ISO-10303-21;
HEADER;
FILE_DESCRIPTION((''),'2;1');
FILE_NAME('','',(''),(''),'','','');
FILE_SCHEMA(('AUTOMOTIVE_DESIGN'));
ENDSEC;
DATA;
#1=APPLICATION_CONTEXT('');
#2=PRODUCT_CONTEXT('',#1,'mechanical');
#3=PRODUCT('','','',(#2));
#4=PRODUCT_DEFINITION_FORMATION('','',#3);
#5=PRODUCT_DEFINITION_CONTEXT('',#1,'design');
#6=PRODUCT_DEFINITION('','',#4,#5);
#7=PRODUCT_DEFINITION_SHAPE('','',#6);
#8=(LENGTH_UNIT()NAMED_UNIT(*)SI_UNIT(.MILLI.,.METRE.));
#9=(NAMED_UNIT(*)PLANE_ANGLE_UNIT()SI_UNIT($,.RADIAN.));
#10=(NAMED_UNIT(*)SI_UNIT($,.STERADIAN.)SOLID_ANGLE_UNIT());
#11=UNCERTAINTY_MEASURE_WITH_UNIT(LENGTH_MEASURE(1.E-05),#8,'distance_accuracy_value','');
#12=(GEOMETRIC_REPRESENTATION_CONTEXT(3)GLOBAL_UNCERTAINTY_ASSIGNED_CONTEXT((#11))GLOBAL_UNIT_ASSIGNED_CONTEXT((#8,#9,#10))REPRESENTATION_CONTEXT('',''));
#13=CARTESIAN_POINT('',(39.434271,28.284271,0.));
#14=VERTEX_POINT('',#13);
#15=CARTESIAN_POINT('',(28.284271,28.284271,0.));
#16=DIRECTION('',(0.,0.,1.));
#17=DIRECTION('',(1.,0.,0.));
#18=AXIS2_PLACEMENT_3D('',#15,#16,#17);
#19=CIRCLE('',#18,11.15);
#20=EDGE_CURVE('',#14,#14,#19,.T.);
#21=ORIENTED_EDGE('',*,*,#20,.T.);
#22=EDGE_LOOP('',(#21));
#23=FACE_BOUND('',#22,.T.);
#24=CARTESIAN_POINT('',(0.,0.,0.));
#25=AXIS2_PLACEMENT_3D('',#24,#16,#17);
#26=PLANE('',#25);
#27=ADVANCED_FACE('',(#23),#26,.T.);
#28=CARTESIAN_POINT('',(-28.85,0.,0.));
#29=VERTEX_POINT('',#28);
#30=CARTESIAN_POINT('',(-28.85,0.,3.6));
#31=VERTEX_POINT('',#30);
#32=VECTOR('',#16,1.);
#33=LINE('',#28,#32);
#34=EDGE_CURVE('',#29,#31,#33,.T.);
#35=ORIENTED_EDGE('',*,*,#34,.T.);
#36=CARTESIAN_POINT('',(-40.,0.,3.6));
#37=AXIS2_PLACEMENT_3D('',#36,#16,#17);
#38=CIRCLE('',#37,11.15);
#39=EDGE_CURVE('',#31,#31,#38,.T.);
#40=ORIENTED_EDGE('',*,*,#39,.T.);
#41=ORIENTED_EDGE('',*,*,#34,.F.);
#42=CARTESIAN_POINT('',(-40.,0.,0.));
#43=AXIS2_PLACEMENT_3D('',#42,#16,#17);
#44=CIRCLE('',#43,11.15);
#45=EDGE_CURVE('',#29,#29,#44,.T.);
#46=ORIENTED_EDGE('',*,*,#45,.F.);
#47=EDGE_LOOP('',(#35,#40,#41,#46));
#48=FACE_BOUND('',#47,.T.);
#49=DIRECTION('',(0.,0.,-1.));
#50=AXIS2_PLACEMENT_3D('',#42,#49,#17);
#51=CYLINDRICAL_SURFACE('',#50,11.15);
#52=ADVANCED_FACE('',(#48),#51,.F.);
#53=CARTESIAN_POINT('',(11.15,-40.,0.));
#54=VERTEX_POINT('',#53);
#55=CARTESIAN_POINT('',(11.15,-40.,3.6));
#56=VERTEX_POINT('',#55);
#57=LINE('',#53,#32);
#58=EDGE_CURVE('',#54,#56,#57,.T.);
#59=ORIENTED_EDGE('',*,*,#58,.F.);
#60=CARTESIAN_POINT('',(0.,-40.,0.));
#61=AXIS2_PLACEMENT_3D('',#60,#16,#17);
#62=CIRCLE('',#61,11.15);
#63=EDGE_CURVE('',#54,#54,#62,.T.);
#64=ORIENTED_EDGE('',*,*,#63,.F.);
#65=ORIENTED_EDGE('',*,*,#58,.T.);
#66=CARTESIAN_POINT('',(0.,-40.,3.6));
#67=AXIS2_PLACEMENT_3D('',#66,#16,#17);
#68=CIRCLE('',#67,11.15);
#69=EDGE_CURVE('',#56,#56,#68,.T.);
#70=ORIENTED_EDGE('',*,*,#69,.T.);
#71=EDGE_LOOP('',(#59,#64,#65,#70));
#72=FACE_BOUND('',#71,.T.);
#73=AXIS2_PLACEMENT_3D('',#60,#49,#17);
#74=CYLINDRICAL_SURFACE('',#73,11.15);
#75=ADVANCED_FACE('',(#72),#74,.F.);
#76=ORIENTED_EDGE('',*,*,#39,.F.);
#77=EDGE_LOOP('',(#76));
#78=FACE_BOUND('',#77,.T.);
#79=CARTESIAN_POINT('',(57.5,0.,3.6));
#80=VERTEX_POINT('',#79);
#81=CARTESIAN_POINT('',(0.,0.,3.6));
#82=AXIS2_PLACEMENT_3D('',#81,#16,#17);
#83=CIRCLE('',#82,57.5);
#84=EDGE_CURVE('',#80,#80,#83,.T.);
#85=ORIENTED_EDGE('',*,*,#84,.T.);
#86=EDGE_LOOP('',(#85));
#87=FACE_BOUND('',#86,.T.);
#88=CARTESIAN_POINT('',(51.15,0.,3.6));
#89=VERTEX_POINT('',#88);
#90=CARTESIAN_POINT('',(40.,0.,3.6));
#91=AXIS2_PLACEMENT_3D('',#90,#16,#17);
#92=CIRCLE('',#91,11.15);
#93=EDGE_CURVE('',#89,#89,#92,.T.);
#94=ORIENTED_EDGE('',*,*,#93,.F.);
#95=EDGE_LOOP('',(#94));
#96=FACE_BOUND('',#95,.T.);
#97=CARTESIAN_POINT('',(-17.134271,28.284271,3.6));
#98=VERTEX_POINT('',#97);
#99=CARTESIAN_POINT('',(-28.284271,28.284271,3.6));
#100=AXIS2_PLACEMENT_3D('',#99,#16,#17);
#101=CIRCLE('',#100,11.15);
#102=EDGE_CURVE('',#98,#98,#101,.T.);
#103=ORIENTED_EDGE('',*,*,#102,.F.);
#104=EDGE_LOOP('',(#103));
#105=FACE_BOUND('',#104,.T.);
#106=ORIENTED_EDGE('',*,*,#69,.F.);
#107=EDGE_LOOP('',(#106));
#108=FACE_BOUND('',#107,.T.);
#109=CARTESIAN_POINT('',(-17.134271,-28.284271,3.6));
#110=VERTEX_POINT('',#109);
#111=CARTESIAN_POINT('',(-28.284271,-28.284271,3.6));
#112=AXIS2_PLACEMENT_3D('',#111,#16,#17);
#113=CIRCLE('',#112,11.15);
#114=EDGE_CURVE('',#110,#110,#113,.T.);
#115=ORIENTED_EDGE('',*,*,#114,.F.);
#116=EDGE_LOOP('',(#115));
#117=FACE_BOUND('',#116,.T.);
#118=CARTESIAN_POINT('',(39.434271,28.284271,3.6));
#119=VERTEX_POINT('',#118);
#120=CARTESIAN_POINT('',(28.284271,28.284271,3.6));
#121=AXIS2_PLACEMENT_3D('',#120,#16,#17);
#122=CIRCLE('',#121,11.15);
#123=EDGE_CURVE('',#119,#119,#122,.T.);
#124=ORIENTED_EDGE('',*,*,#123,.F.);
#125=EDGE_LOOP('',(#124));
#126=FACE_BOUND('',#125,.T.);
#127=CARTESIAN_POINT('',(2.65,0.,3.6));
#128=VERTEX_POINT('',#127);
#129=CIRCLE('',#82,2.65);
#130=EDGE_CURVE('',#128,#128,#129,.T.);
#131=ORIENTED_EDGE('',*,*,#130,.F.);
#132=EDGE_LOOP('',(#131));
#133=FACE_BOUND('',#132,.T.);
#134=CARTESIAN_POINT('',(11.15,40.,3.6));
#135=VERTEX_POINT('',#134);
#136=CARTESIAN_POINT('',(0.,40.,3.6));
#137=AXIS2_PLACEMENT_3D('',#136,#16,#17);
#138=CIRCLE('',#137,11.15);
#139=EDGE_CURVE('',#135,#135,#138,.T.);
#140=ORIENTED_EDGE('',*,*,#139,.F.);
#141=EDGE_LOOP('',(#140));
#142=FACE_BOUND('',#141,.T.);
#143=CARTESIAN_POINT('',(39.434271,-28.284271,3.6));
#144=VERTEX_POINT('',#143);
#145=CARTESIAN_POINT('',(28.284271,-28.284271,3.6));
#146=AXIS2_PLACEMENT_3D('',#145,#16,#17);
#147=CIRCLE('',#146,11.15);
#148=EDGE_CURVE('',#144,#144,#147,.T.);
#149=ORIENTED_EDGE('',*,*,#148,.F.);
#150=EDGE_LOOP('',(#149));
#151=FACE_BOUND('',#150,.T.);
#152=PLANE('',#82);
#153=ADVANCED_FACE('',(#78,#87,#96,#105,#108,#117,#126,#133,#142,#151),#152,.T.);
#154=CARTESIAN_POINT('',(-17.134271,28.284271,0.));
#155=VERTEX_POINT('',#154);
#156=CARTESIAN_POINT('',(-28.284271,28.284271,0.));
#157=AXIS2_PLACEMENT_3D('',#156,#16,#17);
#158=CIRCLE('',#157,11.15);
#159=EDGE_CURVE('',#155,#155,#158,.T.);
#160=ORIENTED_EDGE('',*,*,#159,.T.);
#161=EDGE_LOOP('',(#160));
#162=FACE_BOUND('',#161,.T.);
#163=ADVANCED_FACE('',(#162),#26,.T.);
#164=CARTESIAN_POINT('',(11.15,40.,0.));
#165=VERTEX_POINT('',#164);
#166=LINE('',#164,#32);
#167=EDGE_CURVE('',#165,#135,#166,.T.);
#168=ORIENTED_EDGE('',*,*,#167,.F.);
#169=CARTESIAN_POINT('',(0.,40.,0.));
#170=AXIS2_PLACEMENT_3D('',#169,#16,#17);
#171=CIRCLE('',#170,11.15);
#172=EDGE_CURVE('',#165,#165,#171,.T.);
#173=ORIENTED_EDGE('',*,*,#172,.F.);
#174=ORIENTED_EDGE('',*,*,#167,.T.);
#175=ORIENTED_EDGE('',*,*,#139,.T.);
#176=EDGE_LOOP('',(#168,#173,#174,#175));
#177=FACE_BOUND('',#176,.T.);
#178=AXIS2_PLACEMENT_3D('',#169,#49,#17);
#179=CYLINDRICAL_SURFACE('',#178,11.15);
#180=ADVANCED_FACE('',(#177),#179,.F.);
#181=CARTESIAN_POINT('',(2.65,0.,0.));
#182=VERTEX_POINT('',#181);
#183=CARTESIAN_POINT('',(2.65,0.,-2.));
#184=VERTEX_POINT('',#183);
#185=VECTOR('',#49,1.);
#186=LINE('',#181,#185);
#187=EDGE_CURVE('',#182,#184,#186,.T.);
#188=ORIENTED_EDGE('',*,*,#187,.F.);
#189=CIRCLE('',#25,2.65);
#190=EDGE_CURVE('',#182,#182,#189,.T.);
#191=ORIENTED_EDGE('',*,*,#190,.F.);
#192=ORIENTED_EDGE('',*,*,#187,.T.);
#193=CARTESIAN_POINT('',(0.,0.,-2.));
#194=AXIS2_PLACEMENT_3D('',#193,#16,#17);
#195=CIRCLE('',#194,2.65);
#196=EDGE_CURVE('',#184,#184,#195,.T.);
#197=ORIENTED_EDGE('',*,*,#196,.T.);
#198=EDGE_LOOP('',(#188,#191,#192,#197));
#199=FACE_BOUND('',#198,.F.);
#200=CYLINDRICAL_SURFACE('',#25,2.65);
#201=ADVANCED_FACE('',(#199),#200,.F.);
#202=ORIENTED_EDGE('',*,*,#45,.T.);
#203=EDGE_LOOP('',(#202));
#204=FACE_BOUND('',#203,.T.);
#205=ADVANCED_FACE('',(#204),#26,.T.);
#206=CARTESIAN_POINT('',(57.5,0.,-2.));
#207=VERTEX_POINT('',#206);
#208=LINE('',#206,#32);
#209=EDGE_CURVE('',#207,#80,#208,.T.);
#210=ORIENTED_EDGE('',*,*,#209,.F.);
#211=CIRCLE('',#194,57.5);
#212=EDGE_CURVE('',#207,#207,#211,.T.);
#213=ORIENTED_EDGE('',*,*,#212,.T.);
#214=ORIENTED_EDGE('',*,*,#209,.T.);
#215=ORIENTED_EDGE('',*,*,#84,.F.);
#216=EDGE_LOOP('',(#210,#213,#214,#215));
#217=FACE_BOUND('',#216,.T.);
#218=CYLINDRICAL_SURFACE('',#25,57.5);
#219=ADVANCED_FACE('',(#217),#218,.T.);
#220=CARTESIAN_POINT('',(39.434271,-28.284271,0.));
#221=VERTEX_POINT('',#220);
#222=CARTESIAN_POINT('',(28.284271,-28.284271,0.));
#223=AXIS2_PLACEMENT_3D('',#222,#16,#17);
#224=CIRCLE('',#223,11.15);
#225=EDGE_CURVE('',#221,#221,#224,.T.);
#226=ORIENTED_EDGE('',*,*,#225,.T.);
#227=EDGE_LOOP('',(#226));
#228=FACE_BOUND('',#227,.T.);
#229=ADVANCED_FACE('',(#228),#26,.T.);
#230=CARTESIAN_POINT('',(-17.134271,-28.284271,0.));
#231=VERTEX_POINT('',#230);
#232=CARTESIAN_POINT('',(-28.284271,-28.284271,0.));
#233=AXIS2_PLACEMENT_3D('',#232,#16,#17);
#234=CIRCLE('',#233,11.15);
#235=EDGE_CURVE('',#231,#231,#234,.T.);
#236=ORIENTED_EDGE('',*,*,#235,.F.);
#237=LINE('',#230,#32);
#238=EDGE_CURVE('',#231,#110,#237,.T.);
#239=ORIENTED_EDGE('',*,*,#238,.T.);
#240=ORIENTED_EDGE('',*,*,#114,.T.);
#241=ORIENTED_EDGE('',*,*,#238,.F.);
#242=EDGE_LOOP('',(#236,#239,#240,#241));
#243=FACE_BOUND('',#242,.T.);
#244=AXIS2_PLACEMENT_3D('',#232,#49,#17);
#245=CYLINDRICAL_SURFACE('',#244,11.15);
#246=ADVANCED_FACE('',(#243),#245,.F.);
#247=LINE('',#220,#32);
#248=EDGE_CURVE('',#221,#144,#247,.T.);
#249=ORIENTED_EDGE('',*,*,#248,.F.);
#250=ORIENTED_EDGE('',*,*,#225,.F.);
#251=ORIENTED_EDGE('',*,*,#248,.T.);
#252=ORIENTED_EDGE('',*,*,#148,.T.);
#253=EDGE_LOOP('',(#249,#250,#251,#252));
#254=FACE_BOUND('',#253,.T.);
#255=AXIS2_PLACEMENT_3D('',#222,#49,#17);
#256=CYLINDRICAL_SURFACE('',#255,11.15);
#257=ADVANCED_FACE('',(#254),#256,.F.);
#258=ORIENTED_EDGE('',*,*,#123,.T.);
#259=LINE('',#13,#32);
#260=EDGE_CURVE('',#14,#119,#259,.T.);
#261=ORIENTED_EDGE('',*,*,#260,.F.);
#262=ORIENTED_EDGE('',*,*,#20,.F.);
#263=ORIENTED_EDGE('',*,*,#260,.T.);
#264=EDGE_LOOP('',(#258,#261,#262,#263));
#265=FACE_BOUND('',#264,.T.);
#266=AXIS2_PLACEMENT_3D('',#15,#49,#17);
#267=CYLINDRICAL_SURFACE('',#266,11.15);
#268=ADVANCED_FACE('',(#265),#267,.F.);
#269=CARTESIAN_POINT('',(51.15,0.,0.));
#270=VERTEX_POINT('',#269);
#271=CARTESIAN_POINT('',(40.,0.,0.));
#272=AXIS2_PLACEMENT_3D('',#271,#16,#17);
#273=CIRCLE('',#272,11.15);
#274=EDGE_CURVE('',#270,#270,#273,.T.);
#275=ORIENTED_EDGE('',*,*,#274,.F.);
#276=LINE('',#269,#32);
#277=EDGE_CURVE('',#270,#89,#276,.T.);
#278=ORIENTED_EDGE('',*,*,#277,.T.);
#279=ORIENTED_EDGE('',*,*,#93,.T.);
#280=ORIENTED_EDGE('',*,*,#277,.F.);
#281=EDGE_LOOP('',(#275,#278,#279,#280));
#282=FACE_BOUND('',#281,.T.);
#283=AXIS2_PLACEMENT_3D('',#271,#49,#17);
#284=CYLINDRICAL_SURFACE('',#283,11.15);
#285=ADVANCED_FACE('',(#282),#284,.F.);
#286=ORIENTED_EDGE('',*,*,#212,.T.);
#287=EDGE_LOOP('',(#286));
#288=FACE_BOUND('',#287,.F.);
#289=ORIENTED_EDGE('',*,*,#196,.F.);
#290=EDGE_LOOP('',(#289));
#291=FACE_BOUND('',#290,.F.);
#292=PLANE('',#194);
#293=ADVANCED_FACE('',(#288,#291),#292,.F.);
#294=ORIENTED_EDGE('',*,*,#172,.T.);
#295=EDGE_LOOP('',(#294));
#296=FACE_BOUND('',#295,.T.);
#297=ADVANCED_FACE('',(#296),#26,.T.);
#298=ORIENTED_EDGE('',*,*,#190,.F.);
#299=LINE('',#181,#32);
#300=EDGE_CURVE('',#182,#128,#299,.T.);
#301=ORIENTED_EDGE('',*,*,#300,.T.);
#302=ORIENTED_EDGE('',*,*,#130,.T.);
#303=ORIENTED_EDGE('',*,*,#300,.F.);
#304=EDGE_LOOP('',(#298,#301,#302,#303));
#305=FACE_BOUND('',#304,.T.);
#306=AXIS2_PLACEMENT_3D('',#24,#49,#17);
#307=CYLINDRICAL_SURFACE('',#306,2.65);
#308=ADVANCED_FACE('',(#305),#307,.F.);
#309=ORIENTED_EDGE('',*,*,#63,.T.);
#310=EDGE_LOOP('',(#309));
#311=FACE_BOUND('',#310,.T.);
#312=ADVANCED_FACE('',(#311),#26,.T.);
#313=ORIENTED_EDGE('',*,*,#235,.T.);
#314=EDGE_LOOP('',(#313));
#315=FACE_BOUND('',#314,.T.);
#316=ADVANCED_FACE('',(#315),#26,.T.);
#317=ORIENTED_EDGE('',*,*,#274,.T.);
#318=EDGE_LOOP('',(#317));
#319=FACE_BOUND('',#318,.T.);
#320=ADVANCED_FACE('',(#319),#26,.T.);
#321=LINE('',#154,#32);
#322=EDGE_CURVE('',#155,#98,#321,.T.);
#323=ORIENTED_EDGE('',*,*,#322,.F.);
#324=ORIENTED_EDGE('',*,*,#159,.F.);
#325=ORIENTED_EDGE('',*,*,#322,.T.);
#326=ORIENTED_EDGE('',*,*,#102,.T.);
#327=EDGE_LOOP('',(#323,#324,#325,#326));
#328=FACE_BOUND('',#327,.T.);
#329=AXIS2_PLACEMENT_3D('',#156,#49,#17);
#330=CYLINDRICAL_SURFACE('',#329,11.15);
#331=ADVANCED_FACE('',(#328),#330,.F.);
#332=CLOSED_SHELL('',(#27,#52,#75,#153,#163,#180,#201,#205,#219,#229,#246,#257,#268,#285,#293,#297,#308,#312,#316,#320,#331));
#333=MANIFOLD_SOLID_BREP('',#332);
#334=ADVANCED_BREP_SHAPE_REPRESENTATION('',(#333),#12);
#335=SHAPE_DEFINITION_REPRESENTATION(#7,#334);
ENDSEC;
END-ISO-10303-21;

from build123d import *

# Parameters (mm, degrees)
F0_R     = 57.5
F0_R_2   = 11.15
F0_R_3   = 2.65
F1_DEPTH = 3.6
F2_DEPTH = 2


with BuildPart() as f1:
    # F0 (on Top) → F1 (new body)
    with BuildSketch(Plane.XY):
        Circle(F0_R)
        with Locations((-28.2842712475, -28.2842712475)):
            Circle(F0_R_2, mode=Mode.SUBTRACT)
        with Locations((0, -40)):
            Circle(F0_R_2, mode=Mode.SUBTRACT)
        with Locations((28.2842712475, -28.2842712475)):
            Circle(F0_R_2, mode=Mode.SUBTRACT)
        with Locations((-40, 0)):
            Circle(F0_R_2, mode=Mode.SUBTRACT)
        with Locations((-28.2842712475, 28.2842712475)):
            Circle(F0_R_2, mode=Mode.SUBTRACT)
        Circle(F0_R_3, mode=Mode.SUBTRACT)
        with Locations((28.2842712475, 28.2842712475)):
            Circle(F0_R_2, mode=Mode.SUBTRACT)
        with Locations((40, 0)):
            Circle(F0_R_2, mode=Mode.SUBTRACT)
        with Locations((0, 40)):
            Circle(F0_R_2, mode=Mode.SUBTRACT)
    extrude(amount=F1_DEPTH)

    # F0 (on Top) → F2 (join)
    with BuildSketch(Plane.XY):
        Circle(F0_R)
        with Locations((-28.2842712475, -28.2842712475)):
            Circle(F0_R_2, mode=Mode.SUBTRACT)
        with Locations((0, -40)):
            Circle(F0_R_2, mode=Mode.SUBTRACT)
        with Locations((28.2842712475, -28.2842712475)):
            Circle(F0_R_2, mode=Mode.SUBTRACT)
        with Locations((-40, 0)):
            Circle(F0_R_2, mode=Mode.SUBTRACT)
        with Locations((-28.2842712475, 28.2842712475)):
            Circle(F0_R_2, mode=Mode.SUBTRACT)
        Circle(F0_R_3, mode=Mode.SUBTRACT)
        with Locations((28.2842712475, 28.2842712475)):
            Circle(F0_R_2, mode=Mode.SUBTRACT)
        with Locations((40, 0)):
            Circle(F0_R_2, mode=Mode.SUBTRACT)
        with Locations((0, 40)):
            Circle(F0_R_2, mode=Mode.SUBTRACT)
        with Locations((-28.2842712475, -28.2842712475)):
            Circle(F0_R_2)
        with Locations((0, -40)):
            Circle(F0_R_2)
        with Locations((28.2842712475, -28.2842712475)):
            Circle(F0_R_2)
        with Locations((40, 0)):
            Circle(F0_R_2)
        with Locations((28.2842712475, 28.2842712475)):
            Circle(F0_R_2)
        with Locations((0, 40)):
            Circle(F0_R_2)
        with Locations((-28.2842712475, 28.2842712475)):
            Circle(F0_R_2)
        with Locations((-40, 0)):
            Circle(F0_R_2)
    extrude(amount=-F2_DEPTH)


solid = f1.part
